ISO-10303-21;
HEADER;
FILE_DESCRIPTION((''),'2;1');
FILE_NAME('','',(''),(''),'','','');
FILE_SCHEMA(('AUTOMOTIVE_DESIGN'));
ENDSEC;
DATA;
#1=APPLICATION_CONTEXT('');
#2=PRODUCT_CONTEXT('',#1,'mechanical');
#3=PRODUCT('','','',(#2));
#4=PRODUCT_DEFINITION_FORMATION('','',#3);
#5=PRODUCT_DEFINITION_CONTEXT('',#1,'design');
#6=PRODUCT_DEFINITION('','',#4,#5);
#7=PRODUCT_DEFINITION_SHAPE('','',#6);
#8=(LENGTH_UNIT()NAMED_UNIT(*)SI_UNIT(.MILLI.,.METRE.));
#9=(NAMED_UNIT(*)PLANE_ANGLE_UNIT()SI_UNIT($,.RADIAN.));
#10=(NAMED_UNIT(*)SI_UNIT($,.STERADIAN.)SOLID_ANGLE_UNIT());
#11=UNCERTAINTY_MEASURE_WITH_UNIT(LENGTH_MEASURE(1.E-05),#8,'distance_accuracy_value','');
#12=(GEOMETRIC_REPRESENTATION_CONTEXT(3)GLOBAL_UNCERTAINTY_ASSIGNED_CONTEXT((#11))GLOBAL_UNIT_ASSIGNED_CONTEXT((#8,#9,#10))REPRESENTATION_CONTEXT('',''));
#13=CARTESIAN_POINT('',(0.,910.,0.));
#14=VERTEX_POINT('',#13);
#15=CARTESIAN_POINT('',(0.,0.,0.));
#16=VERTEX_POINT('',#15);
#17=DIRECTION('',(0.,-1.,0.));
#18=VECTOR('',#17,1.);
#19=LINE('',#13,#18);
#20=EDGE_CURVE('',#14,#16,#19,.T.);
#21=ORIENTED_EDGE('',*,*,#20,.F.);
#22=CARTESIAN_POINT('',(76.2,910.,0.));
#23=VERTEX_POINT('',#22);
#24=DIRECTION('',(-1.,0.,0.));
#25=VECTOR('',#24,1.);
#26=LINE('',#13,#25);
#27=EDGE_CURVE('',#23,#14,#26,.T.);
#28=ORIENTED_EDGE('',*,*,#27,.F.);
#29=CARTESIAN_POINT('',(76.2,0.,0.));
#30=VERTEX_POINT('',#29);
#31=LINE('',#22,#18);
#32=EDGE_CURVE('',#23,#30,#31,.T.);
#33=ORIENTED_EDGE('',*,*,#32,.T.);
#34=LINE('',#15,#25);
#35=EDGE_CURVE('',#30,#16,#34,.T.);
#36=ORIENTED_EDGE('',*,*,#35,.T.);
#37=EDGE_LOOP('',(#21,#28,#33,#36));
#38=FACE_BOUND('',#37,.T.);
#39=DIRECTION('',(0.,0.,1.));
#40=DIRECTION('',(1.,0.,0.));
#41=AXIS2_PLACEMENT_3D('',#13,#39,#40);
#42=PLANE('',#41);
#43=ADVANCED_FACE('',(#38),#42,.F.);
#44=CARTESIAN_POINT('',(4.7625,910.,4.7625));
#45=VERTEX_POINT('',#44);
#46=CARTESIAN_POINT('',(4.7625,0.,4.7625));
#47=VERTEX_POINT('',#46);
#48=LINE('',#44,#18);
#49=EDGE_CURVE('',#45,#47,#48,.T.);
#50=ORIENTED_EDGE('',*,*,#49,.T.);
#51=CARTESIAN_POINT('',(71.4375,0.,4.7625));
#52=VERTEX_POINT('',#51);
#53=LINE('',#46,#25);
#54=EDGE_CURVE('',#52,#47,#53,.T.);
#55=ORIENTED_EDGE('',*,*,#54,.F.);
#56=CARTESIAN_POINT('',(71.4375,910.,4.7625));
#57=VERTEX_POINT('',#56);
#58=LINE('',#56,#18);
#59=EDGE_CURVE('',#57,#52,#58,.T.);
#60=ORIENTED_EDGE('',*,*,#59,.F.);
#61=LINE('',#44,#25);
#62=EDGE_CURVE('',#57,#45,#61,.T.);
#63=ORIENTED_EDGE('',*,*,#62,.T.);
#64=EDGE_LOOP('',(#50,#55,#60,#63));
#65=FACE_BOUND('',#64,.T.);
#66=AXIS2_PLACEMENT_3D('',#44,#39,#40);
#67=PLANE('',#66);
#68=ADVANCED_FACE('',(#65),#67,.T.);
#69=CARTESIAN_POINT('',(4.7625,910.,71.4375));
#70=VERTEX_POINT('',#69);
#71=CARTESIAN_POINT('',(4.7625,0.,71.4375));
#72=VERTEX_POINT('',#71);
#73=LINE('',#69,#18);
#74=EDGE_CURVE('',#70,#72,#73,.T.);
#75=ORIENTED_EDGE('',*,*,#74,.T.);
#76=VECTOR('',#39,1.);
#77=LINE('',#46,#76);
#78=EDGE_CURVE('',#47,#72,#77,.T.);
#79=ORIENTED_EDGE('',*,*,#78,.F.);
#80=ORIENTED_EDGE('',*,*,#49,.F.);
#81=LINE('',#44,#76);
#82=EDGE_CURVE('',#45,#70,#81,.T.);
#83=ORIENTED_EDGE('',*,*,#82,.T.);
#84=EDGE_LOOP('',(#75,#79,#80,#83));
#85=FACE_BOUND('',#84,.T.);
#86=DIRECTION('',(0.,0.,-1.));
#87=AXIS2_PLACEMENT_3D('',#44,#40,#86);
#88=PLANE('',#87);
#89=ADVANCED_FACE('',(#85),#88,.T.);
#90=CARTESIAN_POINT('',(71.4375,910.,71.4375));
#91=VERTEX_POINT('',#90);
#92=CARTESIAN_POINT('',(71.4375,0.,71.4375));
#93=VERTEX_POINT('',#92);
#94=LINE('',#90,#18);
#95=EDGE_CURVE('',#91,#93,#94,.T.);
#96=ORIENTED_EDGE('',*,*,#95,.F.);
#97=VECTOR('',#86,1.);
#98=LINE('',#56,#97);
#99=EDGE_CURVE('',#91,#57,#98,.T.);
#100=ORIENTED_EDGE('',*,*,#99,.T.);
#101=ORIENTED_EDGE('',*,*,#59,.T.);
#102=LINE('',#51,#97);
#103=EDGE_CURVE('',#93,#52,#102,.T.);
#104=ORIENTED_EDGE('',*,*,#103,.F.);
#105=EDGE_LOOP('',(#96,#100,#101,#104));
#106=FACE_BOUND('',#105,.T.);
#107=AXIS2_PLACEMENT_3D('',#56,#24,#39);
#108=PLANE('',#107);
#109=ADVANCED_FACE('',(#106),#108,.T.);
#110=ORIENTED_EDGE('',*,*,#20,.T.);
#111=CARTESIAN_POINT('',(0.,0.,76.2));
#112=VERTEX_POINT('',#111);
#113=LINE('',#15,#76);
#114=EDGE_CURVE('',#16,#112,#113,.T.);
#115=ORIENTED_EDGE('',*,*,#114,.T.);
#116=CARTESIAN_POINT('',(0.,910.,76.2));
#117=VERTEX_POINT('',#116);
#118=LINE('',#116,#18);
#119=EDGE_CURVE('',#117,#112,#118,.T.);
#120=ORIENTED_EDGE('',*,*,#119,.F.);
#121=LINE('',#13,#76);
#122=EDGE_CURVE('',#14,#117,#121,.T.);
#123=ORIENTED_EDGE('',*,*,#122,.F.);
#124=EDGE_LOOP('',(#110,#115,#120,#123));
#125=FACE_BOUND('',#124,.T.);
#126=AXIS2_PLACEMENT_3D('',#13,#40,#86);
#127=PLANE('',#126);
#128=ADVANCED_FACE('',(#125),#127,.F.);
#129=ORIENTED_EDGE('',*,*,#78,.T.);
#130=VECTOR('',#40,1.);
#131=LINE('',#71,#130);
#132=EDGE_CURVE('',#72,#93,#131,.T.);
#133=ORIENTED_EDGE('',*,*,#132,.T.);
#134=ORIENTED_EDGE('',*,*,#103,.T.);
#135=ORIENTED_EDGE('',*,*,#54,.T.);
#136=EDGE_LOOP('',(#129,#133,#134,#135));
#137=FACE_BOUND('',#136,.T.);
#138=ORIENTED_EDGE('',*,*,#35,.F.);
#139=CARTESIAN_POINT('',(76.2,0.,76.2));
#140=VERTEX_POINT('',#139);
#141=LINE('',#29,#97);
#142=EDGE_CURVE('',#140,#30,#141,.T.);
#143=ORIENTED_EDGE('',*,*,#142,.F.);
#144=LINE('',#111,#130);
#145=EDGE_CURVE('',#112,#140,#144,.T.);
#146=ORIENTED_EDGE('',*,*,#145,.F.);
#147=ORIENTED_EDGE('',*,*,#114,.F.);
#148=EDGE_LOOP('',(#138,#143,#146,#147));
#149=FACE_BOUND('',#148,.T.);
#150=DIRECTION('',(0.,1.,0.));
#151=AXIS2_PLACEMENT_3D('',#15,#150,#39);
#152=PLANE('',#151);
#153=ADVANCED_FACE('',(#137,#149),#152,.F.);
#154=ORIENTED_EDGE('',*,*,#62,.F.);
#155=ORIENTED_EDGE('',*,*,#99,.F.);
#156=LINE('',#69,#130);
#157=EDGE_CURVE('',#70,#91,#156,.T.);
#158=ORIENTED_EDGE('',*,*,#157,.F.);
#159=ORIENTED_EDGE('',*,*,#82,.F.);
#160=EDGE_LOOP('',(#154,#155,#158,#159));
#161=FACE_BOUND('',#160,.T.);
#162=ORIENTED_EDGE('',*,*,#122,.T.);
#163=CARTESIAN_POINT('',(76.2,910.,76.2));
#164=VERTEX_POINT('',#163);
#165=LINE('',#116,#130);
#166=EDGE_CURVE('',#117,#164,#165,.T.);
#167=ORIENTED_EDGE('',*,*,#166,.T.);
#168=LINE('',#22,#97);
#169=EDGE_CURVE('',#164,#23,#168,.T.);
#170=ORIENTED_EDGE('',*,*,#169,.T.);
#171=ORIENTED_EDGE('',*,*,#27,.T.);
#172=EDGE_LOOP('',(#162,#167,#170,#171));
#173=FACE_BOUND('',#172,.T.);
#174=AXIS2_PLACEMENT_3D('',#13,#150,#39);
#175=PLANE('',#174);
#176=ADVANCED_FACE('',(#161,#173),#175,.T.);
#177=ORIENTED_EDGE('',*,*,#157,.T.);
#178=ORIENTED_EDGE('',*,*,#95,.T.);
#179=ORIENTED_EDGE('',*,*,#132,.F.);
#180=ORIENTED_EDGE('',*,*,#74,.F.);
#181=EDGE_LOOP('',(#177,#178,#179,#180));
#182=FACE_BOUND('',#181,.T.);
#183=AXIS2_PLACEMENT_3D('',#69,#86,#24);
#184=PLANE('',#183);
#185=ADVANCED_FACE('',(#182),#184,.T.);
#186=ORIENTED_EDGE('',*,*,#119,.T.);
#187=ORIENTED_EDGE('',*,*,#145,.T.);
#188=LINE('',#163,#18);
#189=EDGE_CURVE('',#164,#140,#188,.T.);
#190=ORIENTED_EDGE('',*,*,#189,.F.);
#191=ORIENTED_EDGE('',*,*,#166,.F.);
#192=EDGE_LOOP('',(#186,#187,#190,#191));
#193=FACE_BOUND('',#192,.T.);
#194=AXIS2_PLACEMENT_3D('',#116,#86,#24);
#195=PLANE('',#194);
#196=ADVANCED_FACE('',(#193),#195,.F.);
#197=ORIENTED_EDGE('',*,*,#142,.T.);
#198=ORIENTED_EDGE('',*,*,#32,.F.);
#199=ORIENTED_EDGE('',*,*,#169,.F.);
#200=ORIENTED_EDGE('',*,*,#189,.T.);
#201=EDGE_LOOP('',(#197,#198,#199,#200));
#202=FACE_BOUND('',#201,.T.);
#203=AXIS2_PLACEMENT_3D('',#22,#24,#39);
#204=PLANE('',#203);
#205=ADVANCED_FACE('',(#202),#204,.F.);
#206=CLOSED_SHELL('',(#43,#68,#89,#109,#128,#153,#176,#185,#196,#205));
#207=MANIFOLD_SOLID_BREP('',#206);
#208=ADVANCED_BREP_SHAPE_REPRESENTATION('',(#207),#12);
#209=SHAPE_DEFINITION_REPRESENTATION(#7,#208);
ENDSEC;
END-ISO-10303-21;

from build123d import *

# Parameters (mm, degrees)
CROQUIS1_W              = 76.2
CROQUIS1_H              = 76.2
CROQUIS1_W_2            = 66.675
CROQUIS1_H_2            = 66.675
SALIENTE_EXTRUIR1_DEPTH = 910


with BuildPart() as part:
    # Croquis1 → Saliente-Extruir1 (new body)
    with BuildSketch(Plane(origin=(0, 0, 0), x_dir=(1, 0, 0), z_dir=(0, 1, 0))):
        with Locations((38.1, -38.1)):
            Rectangle(CROQUIS1_W, CROQUIS1_H)
        with Locations((38.1, -38.1)):
            Rectangle(CROQUIS1_W_2, CROQUIS1_H_2, mode=Mode.SUBTRACT)
    extrude(amount=SALIENTE_EXTRUIR1_DEPTH)


solid = part.part
